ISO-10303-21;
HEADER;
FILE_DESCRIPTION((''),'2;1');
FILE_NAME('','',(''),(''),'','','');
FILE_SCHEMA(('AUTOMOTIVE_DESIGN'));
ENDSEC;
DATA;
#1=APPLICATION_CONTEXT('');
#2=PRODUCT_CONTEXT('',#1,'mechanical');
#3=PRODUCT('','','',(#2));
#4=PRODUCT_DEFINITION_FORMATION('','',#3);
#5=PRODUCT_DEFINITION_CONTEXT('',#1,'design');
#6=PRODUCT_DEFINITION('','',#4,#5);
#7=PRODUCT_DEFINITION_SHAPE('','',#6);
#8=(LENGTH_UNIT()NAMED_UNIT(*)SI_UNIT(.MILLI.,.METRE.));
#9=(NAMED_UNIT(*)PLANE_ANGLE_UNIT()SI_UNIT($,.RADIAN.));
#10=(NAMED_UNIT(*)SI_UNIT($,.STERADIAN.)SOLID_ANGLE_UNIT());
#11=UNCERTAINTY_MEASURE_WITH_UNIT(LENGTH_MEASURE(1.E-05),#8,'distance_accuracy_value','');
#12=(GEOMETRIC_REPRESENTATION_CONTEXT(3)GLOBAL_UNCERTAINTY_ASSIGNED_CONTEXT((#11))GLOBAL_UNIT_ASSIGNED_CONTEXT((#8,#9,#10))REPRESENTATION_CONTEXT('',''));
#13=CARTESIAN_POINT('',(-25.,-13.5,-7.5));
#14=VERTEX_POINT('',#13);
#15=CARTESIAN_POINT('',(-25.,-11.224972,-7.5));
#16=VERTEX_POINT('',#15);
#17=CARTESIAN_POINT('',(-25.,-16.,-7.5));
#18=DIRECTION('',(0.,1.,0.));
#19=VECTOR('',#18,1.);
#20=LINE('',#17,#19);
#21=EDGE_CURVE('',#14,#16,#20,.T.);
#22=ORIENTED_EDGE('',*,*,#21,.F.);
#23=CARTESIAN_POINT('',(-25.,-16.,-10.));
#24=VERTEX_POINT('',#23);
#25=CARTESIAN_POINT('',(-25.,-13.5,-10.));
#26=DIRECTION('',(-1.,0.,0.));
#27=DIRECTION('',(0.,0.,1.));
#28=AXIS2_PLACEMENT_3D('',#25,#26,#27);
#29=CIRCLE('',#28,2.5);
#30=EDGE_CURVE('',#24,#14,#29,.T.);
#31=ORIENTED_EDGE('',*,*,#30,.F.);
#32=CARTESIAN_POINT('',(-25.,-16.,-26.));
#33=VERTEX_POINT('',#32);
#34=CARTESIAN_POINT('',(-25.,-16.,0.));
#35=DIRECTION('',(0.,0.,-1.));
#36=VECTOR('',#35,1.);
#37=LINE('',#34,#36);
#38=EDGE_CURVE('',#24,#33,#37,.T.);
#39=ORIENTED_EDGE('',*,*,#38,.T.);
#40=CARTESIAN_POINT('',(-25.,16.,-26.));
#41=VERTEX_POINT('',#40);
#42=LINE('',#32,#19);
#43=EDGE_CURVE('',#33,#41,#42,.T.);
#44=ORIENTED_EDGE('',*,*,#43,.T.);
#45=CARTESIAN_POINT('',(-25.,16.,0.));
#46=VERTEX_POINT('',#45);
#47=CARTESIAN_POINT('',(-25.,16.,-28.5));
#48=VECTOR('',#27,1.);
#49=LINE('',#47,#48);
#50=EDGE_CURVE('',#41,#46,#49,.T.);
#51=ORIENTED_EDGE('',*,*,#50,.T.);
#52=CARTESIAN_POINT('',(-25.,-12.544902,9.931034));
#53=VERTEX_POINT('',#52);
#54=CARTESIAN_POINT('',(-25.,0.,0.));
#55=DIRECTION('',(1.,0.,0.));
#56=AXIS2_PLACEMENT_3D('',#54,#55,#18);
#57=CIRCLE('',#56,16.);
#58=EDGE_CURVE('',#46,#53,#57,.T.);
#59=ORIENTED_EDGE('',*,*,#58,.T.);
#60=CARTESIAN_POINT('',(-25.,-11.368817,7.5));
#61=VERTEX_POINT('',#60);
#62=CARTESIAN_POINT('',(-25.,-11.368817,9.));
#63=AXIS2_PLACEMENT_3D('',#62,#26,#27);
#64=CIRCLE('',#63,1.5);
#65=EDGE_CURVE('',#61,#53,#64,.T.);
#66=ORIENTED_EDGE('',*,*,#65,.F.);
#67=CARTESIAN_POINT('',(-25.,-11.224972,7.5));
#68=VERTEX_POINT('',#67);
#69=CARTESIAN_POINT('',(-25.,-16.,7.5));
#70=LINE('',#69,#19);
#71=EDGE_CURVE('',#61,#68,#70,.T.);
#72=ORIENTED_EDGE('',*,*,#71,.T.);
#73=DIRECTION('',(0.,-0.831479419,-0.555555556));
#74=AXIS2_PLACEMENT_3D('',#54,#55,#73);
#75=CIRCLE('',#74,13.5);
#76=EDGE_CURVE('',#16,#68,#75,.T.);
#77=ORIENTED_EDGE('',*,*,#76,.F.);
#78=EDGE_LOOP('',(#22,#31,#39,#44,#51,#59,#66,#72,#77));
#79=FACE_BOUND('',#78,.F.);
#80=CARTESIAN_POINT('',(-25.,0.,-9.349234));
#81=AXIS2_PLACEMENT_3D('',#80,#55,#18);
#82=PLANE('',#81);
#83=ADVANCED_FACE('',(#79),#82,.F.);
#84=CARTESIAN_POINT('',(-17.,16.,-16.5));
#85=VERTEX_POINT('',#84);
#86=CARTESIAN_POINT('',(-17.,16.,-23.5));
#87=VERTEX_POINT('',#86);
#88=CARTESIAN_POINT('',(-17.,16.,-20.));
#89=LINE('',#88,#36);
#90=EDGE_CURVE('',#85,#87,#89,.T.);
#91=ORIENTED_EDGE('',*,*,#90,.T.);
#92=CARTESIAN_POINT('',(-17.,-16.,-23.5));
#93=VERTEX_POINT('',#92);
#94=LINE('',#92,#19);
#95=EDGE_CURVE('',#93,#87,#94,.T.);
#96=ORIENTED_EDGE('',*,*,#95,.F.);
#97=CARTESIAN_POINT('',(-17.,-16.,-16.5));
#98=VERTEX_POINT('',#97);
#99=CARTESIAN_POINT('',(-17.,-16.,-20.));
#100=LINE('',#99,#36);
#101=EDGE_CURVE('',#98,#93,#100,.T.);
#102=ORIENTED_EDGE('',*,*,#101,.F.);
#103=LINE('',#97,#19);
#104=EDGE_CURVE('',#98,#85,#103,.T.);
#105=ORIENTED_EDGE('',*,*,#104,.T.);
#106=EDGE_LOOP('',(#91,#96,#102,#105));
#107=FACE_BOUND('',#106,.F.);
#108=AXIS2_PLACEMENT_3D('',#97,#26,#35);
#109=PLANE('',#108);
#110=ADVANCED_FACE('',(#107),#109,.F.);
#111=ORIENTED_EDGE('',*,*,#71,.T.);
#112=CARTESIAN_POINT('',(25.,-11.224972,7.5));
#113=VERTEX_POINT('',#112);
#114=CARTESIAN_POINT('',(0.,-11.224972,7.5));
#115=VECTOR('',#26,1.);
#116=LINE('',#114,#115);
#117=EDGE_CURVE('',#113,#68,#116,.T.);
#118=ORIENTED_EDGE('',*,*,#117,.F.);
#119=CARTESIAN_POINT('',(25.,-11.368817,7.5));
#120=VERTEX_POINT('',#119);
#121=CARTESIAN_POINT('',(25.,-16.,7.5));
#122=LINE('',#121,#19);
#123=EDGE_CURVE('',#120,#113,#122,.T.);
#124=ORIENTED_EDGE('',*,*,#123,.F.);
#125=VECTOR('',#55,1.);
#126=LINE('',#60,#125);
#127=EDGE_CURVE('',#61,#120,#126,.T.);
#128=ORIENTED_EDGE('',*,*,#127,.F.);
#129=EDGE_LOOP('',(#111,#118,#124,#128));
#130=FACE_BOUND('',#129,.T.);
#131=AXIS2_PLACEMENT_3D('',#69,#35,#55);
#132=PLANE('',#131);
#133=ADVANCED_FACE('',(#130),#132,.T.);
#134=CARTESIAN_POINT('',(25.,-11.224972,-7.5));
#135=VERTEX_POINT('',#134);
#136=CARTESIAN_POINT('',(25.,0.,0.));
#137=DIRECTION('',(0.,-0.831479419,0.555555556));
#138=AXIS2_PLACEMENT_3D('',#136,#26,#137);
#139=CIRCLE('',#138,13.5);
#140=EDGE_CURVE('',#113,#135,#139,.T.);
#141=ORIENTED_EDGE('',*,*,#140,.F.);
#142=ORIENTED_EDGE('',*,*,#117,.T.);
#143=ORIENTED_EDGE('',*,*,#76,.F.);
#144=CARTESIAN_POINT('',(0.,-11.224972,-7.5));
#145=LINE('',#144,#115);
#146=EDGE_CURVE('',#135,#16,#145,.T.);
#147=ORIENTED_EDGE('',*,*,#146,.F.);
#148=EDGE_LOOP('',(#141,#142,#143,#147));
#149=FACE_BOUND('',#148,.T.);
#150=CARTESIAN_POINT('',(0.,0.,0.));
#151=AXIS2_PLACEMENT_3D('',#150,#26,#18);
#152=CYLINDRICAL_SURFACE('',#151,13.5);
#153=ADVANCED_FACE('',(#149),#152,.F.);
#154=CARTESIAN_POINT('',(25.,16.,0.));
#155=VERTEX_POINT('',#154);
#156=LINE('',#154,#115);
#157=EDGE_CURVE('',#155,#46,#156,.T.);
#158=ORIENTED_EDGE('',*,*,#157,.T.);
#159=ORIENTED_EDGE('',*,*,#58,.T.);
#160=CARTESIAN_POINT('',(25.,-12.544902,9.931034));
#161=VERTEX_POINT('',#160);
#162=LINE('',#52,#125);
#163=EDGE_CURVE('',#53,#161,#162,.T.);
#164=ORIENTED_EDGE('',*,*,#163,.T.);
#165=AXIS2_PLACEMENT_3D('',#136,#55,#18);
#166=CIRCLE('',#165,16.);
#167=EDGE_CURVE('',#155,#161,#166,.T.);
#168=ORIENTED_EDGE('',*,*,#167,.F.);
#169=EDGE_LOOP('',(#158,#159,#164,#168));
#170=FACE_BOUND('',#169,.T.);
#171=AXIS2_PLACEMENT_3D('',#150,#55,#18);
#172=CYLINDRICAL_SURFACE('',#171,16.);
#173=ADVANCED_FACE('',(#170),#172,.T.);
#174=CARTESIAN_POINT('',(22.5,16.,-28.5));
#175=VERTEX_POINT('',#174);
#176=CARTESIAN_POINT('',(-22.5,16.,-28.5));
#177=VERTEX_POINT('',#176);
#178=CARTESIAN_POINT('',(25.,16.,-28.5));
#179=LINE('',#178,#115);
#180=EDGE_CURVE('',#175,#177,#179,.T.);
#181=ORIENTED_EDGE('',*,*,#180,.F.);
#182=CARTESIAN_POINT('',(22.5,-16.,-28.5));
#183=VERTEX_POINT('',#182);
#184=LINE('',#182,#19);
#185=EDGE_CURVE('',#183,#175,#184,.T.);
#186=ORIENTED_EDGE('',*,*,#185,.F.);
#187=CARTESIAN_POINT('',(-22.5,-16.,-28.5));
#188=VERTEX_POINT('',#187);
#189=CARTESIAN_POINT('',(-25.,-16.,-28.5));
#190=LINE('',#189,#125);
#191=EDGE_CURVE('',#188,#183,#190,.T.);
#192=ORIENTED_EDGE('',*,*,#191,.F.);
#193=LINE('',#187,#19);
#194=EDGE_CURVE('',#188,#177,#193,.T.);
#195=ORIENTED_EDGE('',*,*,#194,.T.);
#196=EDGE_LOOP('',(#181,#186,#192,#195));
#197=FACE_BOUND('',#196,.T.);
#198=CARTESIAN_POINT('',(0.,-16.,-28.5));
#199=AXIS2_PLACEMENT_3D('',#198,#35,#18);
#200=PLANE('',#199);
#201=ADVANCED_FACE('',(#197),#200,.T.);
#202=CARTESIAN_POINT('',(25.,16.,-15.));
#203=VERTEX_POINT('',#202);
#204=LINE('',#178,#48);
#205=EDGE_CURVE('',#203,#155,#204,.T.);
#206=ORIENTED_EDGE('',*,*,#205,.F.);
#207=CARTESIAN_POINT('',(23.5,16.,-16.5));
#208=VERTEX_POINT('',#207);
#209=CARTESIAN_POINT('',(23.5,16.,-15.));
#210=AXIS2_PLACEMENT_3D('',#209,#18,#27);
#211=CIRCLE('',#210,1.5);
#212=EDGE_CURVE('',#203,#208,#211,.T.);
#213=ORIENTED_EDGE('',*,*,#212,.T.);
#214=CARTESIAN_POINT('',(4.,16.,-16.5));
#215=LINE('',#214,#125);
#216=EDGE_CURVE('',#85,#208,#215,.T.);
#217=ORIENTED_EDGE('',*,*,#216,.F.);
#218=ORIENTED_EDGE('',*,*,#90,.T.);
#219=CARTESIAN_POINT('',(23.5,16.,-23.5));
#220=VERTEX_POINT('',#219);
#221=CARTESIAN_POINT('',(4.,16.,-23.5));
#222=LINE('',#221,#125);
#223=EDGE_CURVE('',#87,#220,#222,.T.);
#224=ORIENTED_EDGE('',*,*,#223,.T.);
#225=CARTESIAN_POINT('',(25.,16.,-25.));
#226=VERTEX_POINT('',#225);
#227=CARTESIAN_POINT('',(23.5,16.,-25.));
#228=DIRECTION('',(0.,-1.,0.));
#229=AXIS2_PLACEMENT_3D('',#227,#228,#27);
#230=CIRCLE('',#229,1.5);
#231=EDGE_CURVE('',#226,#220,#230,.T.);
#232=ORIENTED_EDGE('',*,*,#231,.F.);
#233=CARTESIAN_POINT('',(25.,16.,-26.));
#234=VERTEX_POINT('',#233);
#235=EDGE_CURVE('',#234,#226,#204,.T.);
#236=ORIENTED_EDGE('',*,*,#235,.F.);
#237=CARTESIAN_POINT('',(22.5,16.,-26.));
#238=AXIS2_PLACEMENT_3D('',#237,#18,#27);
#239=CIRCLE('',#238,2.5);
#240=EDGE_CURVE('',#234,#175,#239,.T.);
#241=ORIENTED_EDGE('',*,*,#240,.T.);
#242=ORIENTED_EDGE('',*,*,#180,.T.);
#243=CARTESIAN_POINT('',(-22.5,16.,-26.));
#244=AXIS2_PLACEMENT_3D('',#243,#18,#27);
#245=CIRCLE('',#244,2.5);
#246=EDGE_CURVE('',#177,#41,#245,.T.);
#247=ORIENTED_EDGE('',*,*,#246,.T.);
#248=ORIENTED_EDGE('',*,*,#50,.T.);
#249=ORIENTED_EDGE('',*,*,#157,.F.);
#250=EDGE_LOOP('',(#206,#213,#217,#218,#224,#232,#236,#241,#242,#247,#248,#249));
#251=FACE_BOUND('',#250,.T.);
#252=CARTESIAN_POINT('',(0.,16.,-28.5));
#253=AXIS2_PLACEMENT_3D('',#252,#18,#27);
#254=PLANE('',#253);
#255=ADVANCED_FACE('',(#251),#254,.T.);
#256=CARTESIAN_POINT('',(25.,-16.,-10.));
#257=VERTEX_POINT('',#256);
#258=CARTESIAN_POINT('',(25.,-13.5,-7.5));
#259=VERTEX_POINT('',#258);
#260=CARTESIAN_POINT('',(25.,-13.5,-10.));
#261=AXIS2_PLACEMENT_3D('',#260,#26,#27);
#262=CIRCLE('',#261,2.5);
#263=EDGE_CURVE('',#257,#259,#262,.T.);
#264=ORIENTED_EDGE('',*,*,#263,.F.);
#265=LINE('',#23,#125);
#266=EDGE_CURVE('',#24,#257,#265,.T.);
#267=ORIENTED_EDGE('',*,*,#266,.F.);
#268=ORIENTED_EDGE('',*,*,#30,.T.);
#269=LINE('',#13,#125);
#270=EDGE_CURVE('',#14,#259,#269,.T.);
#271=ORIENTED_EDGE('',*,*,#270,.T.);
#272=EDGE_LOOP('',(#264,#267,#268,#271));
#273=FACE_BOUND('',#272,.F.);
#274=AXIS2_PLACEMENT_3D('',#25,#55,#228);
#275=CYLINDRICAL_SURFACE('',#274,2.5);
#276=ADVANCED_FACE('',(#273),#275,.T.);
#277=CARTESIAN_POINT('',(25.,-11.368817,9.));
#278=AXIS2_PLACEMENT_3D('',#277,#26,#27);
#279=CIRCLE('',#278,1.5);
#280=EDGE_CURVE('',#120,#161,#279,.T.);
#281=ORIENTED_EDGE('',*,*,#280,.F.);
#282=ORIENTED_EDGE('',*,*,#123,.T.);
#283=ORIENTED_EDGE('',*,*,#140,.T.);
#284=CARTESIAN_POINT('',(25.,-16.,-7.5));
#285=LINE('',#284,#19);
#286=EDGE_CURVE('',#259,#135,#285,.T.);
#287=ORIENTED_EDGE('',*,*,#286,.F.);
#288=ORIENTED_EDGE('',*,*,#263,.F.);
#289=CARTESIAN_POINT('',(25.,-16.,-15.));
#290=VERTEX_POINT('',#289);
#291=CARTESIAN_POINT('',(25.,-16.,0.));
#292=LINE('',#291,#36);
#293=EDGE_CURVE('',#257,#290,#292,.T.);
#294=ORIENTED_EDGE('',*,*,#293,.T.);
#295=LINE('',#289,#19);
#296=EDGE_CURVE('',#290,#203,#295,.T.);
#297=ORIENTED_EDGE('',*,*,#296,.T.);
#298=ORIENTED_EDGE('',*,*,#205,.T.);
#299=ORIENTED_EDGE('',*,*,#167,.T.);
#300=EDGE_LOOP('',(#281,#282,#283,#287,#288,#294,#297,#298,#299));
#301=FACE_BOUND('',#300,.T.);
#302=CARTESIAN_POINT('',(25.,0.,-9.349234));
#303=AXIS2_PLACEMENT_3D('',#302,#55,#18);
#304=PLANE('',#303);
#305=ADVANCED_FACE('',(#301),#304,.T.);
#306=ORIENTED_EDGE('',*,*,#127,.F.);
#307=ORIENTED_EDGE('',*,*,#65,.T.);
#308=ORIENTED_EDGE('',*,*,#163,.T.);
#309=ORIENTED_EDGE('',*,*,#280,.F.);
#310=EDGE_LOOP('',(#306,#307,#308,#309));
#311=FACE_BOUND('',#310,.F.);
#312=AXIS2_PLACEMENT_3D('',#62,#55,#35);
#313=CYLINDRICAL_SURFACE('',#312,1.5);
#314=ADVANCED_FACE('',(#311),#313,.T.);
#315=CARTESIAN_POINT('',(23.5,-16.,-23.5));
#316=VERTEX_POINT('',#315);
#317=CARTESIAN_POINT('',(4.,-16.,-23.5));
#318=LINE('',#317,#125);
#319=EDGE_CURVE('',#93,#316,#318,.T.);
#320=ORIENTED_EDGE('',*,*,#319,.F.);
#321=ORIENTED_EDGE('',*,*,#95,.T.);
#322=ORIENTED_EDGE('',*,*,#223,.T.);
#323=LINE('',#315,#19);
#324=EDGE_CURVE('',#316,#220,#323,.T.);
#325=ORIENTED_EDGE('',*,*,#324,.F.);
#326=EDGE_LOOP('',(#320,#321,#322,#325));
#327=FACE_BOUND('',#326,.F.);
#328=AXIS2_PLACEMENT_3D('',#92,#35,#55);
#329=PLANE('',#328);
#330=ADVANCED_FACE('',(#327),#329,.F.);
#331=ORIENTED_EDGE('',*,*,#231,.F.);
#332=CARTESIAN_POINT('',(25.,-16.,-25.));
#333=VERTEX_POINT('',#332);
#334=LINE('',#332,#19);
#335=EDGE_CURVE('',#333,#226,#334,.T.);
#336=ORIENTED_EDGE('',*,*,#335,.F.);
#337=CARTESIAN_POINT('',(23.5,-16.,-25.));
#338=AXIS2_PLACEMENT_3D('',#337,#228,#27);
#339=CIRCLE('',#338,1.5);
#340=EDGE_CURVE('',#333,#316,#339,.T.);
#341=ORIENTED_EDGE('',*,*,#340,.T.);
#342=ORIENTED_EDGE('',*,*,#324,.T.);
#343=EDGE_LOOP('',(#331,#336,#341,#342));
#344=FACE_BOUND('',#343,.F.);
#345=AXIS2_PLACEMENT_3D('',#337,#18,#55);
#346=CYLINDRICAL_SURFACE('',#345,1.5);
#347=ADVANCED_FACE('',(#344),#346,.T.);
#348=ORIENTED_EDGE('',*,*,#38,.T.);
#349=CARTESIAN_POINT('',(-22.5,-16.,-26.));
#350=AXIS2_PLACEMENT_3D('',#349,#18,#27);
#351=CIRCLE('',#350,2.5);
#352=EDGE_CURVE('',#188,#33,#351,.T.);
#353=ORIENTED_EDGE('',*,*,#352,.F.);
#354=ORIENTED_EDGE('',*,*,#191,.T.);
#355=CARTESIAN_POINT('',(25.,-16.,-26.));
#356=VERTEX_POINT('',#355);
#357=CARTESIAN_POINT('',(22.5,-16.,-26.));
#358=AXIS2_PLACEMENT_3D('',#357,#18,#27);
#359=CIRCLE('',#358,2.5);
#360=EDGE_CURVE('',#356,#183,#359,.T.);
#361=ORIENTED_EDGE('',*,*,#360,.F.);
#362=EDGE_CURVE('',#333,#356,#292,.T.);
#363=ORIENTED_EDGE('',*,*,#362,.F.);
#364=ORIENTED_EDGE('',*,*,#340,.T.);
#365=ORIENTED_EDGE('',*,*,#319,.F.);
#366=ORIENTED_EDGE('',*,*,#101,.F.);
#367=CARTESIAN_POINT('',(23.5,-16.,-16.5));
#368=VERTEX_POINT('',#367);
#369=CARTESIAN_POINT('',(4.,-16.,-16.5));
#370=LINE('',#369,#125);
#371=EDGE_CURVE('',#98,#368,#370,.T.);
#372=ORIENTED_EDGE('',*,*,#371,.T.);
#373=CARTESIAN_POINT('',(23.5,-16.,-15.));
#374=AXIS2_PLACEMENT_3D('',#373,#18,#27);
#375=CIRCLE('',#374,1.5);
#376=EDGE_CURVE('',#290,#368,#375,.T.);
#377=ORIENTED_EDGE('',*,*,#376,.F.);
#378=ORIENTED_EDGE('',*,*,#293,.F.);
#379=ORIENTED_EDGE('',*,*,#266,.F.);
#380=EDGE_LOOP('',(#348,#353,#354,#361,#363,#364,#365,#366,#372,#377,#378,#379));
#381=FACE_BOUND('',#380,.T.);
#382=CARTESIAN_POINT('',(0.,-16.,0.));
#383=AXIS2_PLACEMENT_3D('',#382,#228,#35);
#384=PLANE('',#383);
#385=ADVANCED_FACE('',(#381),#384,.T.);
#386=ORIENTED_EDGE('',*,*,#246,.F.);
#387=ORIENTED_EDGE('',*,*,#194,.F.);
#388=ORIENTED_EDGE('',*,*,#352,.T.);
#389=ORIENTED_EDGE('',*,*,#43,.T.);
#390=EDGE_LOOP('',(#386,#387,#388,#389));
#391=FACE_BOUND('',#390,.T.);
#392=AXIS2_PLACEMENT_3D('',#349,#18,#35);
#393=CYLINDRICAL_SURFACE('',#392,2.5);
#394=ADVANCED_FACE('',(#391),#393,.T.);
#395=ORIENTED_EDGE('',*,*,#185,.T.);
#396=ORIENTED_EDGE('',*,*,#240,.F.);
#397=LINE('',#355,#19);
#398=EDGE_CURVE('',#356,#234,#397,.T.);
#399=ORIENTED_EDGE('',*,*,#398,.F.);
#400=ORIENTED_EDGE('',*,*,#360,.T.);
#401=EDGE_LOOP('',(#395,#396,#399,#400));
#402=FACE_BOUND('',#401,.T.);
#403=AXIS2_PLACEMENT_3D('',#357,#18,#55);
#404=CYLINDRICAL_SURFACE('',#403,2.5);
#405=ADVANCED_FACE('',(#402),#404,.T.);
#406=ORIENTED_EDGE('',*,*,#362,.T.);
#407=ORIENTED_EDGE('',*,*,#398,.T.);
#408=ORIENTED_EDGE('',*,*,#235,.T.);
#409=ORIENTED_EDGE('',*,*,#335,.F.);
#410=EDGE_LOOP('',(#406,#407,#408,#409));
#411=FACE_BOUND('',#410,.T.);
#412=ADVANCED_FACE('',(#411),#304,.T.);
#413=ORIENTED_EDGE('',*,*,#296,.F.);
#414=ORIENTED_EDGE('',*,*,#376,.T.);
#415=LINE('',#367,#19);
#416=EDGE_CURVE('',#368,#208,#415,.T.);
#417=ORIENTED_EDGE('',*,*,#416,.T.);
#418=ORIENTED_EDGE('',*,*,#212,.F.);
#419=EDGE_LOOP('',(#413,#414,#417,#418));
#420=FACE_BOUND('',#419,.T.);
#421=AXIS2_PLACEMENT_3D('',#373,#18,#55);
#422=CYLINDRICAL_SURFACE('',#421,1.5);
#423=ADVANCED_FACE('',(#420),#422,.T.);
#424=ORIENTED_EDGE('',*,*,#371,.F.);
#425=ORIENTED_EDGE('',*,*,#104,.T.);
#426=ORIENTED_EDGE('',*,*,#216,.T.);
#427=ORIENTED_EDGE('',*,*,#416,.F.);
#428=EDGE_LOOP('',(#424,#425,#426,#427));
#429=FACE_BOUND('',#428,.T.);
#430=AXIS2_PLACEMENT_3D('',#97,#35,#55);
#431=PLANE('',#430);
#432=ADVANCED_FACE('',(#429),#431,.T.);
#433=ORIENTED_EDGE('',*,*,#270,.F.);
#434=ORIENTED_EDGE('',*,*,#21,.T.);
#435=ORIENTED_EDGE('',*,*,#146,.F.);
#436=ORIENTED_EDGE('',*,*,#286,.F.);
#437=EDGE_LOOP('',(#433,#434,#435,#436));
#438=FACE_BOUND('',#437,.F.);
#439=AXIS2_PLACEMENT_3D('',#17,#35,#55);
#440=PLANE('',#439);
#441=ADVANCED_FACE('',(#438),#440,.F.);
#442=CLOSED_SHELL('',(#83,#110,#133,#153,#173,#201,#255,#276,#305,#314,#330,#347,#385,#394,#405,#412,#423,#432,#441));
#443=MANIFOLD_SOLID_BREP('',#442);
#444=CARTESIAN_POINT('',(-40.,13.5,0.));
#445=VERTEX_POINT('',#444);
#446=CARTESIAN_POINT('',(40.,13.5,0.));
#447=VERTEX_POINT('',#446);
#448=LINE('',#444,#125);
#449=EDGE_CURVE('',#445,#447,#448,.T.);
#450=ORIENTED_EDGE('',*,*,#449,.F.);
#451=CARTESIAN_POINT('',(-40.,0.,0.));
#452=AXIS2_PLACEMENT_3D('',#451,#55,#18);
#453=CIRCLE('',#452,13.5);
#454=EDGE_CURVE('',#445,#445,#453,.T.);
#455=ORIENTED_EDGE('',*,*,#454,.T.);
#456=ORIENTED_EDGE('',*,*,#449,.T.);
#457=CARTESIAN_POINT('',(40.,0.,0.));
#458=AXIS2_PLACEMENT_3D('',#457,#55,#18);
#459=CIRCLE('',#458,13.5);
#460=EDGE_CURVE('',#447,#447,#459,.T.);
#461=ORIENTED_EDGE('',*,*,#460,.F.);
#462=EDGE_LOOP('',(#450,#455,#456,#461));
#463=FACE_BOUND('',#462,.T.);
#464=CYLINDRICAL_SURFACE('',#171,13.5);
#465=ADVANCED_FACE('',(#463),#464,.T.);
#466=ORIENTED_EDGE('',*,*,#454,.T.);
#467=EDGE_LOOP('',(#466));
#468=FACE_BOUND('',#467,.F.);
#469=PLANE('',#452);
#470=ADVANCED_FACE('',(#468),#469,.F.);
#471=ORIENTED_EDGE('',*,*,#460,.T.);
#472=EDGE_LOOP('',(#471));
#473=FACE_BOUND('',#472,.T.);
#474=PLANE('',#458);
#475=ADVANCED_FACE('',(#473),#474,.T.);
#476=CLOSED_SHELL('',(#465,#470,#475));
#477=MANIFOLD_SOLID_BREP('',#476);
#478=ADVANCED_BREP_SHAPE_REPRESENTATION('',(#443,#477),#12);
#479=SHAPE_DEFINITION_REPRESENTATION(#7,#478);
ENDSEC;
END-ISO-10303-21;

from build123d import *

# Parameters (mm, degrees)
SKETCH_R        = 13.5
PAD_DEPTH       = 40
SKETCH001_R     = 13.5
PAD001_DEPTH    = 25
SKETCH002_W     = 7
SKETCH002_H     = 42
POCKET_DEPTH    = 32
SKETCH003_W     = 15
SKETCH003_H     = 50
POCKET001_DEPTH = 5
FILLET_R        = 2.5
FILLET001_R     = 1.5
FILLET002_R     = 1.5
FILLET003_R     = 2.5


with BuildPart() as pipe:
    # Sketch → Pad (new body, symmetric)
    with BuildSketch(Plane.YZ):
        Circle(SKETCH_R)
    extrude(amount=PAD_DEPTH, both=True)


with BuildPart() as webcamholder:
    # Sketch001 → Pad001 (new body, symmetric)
    with BuildSketch(Plane.YZ):
        with BuildLine():
            ThreePointArc((16, 0), (0, 16), (-16, 0))
            Line((-16, 0), (-16, -28.5))
            Line((-16, -28.5), (16, -28.5))
            Line((16, -28.5), (16, 0))
        make_face()
        Circle(SKETCH001_R, mode=Mode.SUBTRACT)
    extrude(amount=PAD001_DEPTH, both=True)

    # Sketch002 (on Face2 of Pad001) → Pocket (cut)
    with BuildSketch(Plane(origin=(0, -16, 0), x_dir=(0, 0, -1), z_dir=(0, -1, 0))):
        with Locations((20, 4)):
            Rectangle(SKETCH002_W, SKETCH002_H)
    extrude(amount=-POCKET_DEPTH, mode=Mode.SUBTRACT)

    # Sketch003 (on Face3 of Pocket) → Pocket001 (cut)
    with BuildSketch(Plane(origin=(0, -16, 0), x_dir=(0, 0, -1), z_dir=(0, -1, 0))):
        Rectangle(SKETCH003_W, SKETCH003_H)
    extrude(amount=-POCKET001_DEPTH, mode=Mode.SUBTRACT)

    # Fillet
    fillet_edges = [webcamholder.edges().sort_by_distance(p)[0] for p in [
        (0, -16, -7.5),
    ]]
    fillet(fillet_edges, radius=FILLET_R)

    # Fillet001
    fillet001_edges = [webcamholder.edges().sort_by_distance(p)[0] for p in [
        (0, -14.133294, 7.5),
    ]]
    fillet(fillet001_edges, radius=FILLET001_R)

    # Fillet002
    fillet002_edges = [webcamholder.edges().sort_by_distance(p)[0] for p in [
        (25, 0, -16.5),
        (25, 0, -23.5),
    ]]
    fillet(fillet002_edges, radius=FILLET002_R)

    # Fillet003
    fillet003_edges = [webcamholder.edges().sort_by_distance(p)[0] for p in [
        (25, 0, -28.5),
        (-25, 0, -28.5),
    ]]
    fillet(fillet003_edges, radius=FILLET003_R)


solid = Compound([pipe.part, webcamholder.part])
